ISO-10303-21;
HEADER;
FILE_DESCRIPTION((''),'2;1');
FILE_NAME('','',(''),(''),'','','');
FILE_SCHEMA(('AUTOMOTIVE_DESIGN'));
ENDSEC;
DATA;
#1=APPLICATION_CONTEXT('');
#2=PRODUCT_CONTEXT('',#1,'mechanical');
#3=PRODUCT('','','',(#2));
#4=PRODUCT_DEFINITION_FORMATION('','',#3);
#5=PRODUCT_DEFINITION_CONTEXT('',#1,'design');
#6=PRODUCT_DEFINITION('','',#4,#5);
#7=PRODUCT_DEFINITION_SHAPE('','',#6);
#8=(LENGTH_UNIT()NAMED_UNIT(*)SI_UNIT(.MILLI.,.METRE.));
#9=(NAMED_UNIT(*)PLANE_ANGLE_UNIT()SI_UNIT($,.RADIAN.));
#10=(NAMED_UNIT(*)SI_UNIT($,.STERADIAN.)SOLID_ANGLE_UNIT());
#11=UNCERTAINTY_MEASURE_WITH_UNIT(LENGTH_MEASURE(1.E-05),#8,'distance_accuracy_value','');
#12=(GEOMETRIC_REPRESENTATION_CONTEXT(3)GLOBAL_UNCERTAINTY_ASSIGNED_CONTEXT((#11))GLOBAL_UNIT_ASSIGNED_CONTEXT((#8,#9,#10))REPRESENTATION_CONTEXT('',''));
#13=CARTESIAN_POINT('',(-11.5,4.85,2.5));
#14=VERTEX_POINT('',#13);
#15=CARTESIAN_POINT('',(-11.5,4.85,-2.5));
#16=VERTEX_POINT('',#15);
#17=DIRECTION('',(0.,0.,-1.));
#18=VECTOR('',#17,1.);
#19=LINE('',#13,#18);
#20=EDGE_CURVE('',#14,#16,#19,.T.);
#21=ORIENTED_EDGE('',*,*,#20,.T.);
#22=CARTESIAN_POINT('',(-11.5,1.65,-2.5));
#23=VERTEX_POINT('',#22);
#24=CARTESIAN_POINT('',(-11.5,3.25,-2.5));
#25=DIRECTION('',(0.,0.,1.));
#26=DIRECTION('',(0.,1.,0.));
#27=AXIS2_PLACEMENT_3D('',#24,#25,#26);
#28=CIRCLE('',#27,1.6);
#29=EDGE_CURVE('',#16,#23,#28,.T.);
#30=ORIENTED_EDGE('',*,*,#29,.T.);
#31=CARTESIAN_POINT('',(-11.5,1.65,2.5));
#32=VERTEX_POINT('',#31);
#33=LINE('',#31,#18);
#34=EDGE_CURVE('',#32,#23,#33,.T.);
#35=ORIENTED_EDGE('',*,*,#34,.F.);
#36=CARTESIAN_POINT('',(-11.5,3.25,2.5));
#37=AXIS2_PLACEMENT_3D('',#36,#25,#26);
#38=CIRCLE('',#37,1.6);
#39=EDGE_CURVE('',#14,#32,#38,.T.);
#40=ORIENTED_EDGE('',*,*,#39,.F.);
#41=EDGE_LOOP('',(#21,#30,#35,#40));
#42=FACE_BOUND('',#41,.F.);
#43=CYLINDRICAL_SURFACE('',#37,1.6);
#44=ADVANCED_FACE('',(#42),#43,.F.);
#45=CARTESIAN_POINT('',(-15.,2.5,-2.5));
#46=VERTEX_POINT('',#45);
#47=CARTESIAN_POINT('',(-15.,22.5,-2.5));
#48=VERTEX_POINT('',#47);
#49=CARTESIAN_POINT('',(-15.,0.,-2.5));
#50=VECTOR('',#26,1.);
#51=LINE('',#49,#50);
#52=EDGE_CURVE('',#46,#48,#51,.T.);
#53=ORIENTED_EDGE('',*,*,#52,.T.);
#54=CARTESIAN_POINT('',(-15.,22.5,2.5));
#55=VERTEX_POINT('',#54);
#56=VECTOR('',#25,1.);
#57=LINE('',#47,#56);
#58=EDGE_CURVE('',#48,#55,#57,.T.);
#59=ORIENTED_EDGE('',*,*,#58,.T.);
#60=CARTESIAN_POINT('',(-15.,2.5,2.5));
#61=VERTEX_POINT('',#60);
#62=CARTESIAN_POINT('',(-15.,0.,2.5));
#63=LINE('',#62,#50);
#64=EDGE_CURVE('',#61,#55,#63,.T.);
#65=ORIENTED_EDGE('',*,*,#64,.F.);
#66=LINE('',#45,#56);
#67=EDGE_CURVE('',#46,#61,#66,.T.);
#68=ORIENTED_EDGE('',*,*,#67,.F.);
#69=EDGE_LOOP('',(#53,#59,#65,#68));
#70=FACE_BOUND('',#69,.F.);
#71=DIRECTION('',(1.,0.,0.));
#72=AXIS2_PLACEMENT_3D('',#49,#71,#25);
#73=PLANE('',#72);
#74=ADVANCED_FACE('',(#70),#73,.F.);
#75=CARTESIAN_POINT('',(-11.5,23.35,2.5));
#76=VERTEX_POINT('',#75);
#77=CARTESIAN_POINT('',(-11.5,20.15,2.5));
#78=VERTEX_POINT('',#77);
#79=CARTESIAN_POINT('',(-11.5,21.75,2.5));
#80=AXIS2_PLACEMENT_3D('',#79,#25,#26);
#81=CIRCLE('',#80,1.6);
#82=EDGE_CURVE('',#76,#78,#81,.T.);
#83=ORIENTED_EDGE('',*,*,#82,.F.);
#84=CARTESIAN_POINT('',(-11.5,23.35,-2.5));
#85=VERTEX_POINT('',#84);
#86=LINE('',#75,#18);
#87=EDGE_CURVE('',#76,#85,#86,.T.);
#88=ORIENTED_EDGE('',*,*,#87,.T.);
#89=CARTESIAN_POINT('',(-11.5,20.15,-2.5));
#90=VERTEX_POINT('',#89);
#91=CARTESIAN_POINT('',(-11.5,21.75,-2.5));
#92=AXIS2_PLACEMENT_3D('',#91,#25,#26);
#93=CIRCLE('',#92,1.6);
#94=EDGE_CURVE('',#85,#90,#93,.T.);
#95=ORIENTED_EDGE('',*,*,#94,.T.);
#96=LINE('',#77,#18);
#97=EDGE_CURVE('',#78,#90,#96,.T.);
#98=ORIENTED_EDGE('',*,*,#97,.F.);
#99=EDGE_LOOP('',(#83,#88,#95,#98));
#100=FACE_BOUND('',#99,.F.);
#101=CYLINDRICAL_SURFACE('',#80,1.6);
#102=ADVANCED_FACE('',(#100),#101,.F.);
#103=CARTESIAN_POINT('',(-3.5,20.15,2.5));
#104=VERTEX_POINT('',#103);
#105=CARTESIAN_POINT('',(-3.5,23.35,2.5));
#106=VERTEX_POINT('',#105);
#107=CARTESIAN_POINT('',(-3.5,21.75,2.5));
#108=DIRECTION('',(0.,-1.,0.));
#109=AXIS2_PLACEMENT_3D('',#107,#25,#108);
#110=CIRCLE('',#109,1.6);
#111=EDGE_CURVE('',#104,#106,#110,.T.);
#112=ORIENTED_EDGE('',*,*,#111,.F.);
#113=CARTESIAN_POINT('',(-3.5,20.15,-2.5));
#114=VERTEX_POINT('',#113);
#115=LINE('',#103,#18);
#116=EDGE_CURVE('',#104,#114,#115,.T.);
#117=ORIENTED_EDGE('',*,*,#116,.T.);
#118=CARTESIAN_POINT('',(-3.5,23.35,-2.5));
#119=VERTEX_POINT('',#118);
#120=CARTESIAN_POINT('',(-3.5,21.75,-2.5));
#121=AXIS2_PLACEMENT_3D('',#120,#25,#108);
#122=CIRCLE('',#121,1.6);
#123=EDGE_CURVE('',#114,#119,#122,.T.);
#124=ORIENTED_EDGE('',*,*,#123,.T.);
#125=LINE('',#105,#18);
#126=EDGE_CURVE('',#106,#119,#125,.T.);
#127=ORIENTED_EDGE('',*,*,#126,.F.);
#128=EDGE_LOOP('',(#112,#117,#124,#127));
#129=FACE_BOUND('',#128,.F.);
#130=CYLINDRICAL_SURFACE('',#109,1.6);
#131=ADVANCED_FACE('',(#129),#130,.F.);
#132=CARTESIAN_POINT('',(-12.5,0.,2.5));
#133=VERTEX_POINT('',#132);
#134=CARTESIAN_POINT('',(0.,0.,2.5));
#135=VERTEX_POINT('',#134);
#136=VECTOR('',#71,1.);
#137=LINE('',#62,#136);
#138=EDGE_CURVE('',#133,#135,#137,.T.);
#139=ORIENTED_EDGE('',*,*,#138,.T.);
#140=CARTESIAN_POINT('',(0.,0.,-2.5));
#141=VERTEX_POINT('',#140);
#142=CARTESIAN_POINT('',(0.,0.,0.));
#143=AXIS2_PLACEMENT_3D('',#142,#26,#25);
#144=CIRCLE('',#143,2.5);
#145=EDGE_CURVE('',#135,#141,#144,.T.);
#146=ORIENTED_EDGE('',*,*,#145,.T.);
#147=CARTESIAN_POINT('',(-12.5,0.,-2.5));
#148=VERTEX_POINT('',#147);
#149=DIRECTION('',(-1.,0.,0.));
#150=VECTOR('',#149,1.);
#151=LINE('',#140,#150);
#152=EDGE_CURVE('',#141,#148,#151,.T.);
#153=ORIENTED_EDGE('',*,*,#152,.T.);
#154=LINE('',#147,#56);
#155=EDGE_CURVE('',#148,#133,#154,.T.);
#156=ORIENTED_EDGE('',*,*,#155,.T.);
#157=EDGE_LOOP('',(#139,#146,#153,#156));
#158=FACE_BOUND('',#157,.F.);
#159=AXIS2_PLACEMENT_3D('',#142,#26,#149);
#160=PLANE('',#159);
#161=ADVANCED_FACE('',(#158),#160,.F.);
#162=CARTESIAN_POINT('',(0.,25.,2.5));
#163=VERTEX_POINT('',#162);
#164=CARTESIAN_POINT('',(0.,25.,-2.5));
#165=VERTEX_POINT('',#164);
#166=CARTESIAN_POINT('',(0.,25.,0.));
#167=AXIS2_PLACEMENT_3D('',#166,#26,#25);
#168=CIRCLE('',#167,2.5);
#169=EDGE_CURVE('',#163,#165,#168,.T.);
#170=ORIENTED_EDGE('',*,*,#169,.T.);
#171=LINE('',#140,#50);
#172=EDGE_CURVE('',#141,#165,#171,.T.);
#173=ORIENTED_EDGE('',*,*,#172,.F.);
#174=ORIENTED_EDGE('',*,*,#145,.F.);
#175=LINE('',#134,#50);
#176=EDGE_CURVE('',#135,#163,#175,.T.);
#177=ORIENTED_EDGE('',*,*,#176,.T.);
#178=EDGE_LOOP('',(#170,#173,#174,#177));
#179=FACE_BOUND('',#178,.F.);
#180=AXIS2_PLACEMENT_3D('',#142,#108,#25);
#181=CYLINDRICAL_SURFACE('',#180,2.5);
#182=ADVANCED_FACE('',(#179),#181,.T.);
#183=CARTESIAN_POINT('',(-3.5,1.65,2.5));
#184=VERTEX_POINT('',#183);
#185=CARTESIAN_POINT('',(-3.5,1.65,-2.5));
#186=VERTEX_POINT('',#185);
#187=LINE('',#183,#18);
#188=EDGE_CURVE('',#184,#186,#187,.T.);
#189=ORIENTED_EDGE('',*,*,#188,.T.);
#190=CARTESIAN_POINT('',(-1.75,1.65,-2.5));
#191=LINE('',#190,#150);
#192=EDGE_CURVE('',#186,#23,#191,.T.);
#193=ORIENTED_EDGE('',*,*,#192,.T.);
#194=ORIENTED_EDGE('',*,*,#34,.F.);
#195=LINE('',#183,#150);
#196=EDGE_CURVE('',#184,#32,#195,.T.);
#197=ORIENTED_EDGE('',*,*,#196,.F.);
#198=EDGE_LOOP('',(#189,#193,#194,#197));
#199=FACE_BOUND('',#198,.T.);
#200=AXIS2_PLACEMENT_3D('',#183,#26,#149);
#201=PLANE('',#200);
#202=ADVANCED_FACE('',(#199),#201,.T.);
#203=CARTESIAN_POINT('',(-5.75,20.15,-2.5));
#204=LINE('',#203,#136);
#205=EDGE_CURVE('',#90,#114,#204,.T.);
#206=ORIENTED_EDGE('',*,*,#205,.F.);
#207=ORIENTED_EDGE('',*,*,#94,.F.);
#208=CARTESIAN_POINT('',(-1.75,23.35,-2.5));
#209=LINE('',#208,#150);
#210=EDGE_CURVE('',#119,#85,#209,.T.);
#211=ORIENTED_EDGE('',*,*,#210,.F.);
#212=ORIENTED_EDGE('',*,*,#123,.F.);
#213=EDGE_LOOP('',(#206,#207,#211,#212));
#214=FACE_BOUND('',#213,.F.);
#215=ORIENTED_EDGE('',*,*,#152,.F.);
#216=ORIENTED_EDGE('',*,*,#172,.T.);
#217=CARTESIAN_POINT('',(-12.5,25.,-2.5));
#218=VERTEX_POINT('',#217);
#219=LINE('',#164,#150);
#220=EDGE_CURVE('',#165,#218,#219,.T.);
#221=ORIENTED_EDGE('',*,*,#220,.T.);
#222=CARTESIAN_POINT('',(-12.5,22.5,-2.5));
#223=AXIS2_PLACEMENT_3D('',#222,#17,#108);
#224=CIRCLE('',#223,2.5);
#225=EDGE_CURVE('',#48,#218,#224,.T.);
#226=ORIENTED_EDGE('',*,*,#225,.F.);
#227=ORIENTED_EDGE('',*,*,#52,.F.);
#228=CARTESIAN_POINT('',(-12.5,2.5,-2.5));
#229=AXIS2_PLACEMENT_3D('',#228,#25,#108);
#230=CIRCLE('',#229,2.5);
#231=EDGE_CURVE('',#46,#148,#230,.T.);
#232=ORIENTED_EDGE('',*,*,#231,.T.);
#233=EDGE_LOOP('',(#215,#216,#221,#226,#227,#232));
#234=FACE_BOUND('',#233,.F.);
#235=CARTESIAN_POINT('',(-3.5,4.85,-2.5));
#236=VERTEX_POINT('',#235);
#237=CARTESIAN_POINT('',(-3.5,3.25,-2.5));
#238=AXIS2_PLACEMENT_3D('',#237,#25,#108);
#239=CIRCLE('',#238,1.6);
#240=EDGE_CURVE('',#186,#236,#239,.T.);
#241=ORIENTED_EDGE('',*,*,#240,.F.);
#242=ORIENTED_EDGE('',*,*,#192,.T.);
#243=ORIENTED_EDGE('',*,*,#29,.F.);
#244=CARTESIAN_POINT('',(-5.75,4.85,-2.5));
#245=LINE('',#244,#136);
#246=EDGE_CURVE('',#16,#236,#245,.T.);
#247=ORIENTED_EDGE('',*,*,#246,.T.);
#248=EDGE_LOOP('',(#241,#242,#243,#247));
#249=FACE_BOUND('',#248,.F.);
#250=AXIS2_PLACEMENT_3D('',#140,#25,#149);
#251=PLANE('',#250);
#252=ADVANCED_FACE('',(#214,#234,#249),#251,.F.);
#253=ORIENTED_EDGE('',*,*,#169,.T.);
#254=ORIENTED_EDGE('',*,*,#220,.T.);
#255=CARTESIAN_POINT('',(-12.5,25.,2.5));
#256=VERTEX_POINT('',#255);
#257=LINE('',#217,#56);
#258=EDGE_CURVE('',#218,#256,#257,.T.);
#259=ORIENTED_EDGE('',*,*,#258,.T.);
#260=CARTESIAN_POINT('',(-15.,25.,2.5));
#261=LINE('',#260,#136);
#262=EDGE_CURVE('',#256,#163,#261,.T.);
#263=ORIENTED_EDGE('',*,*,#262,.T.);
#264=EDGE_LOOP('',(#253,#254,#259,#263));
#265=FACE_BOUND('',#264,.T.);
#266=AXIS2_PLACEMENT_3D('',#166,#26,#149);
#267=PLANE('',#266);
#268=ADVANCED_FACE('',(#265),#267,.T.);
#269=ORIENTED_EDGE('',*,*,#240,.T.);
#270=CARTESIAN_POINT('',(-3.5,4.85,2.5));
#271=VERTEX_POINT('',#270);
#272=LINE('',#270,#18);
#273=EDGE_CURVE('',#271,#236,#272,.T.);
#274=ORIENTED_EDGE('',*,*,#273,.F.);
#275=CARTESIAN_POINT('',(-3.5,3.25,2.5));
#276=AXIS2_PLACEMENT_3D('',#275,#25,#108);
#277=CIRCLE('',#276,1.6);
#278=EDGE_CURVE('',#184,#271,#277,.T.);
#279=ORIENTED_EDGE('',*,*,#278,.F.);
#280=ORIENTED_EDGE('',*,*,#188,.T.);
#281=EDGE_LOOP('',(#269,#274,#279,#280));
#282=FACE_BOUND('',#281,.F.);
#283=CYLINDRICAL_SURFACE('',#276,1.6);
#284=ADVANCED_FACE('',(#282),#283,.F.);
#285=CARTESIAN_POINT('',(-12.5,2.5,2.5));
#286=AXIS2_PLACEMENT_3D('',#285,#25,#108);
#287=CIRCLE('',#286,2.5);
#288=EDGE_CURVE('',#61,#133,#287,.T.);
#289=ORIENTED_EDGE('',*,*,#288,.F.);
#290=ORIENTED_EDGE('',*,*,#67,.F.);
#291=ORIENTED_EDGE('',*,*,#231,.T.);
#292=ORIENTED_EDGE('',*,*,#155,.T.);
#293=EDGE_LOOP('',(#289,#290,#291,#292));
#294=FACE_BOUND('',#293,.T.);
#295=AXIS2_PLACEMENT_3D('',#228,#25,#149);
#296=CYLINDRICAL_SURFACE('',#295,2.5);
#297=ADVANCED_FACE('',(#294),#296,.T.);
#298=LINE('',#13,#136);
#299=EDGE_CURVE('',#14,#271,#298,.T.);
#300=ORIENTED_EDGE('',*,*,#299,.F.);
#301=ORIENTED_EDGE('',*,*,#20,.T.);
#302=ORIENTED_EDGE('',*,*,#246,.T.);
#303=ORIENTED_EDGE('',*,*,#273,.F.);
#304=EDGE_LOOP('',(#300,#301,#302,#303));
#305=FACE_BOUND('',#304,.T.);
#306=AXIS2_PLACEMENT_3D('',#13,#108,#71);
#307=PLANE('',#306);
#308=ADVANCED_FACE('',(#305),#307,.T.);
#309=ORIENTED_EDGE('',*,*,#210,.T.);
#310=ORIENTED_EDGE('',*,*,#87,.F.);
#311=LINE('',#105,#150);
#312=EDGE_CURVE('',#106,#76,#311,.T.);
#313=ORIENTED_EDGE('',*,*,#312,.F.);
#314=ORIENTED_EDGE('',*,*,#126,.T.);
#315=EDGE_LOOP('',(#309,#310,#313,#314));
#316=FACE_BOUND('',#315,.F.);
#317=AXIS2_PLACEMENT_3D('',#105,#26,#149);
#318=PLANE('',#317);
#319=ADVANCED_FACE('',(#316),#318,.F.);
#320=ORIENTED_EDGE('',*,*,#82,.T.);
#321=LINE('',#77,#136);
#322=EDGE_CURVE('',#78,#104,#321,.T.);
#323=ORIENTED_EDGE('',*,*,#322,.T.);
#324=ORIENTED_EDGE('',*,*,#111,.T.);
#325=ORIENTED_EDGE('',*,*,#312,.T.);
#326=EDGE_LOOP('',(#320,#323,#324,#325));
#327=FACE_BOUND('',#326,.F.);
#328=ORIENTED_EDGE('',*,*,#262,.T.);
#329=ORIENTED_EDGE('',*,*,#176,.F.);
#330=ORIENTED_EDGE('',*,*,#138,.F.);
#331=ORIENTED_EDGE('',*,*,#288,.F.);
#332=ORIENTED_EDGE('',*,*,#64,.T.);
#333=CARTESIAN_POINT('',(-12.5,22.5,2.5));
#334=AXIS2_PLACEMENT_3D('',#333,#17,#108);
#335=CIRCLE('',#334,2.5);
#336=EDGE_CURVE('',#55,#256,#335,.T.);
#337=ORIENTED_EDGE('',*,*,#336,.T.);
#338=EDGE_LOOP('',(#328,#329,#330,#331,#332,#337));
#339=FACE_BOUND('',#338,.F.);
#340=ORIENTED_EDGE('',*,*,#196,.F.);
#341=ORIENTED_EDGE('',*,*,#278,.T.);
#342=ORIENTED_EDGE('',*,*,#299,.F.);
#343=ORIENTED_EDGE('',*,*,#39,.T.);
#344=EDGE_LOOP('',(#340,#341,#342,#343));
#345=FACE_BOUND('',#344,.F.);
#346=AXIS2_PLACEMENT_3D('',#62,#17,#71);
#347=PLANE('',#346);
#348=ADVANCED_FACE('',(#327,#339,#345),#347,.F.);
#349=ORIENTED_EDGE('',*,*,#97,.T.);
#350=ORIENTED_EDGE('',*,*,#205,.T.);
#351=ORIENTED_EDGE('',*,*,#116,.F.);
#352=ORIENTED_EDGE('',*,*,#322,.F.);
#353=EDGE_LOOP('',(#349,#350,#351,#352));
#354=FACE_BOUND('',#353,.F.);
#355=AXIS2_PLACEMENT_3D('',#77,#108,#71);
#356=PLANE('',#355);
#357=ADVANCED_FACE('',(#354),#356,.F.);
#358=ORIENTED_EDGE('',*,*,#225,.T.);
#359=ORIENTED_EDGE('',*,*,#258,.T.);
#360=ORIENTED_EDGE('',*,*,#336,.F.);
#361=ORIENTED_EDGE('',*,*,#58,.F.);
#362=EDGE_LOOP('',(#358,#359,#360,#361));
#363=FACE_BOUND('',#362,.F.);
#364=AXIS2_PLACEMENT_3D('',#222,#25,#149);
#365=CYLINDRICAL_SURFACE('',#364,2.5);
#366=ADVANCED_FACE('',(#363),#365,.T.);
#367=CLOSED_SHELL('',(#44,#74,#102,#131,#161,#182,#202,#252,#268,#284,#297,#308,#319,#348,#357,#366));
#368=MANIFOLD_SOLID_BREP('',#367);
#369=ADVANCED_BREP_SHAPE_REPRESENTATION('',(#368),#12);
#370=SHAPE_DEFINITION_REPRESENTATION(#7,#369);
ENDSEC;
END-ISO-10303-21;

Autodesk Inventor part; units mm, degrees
ref_plane "YZ Plane" through (0, 0, 0) normal (1, 0, 0) x (0, 1, 0)
ref_plane "XZ Plane" through (0, 0, 0) normal (0, 1, 0) x (-1, 0, 0)
ref_plane "XY Plane" through (0, 0, 0) normal (0, 0, 1) x (1, 0, 0)
sketch "Sketch1" plane through (0, 0, 0) normal (0, 1, 0) x (-1, 0, 0)
  arc A0 (0, 2.5) -> (0, -2.5) centre (0, 0) ccw
  line L0 (0, -2.5) -> (15, -2.5)
  line L1 (15, -2.5) -> (15, 2.5)
  line L2 (15, 2.5) -> (0, 2.5)
  dimension "d0" = 5
  dimension "d1" = 15
extrude "Extrusion1" add sketch "Sketch1" along normal blind 25
sketch "Sketch2" plane through (-15, 0, 2.5) normal (0, 0, 1) x (1, 0, 0)
  line L0 (0, 0) -> (15, 0) construction
  line L1 (15, 0) -> (15, 25) construction
  line L2 (0, 25) -> (15, 25) construction
  line L3 (0, 0) -> (0, 25) construction
  line L4 (0, 0) -> (0, 25) construction
  line L5 (15, 6.5) -> (0, 6.5) construction
  line L6 (0, 6.5) -> (0, 18.5) construction
  line L7 (0, 18.5) -> (15, 18.5) construction
  line L8 (15, 18.5) -> (15, 6.5) construction
  line L9 (15, 12.5) -> (0, 12.5) construction
  line L10 (15, 6.5) -> (0, 0) construction
  line L11 (15, 0) -> (0, 0) construction
  line L12 (0, 6.5) -> (15, 0) construction
  line L13 (15, 25) -> (0, 25) construction
  line L14 (15, 25) -> (0, 18.5) construction
  line L15 (0, 25) -> (15, 18.5) construction
  line L16 (11.5, 21.75) -> (3.5, 21.75) construction
  line L17 (11.5, 23.35) -> (3.5, 23.35)
  line L18 (3.5, 20.15) -> (11.5, 20.15)
  arc A0 (11.5, 20.15) -> (11.5, 23.35) centre (11.5, 21.75) ccw
  arc A1 (3.5, 23.35) -> (3.5, 20.15) centre (3.5, 21.75) ccw
  line L19 (11.5, 3.25) -> (3.5, 3.25) construction
  line L20 (11.5, 1.65) -> (3.5, 1.65)
  line L21 (3.5, 4.85) -> (11.5, 4.85)
  arc A2 (11.5, 1.65) -> (11.5, 4.85) centre (11.5, 3.25) ccw
  arc A3 (3.5, 4.85) -> (3.5, 1.65) centre (3.5, 3.25) ccw
  point P0 (7.5, 21.75)
  point P1 (7.5, 21.75)
  point P2 (7.5, 3.25)
  point P3 (7.5, 3.25)
  dimension "d4" = 12
  dimension "d5" = 3.2
  dimension "d6" = 8
extrude "Extrusion2" cut sketch "Sketch2" against normal through all
ref_plane "Work Plane2" through (-15, 12.5, 2.5) normal (0, 1, 0) x (1, 0, 0)
fillet "Fillet1" radius 2.5 2 edges at (-15, 0, 0) (-15, 25, 0)
properties part number "FixedClamp"
